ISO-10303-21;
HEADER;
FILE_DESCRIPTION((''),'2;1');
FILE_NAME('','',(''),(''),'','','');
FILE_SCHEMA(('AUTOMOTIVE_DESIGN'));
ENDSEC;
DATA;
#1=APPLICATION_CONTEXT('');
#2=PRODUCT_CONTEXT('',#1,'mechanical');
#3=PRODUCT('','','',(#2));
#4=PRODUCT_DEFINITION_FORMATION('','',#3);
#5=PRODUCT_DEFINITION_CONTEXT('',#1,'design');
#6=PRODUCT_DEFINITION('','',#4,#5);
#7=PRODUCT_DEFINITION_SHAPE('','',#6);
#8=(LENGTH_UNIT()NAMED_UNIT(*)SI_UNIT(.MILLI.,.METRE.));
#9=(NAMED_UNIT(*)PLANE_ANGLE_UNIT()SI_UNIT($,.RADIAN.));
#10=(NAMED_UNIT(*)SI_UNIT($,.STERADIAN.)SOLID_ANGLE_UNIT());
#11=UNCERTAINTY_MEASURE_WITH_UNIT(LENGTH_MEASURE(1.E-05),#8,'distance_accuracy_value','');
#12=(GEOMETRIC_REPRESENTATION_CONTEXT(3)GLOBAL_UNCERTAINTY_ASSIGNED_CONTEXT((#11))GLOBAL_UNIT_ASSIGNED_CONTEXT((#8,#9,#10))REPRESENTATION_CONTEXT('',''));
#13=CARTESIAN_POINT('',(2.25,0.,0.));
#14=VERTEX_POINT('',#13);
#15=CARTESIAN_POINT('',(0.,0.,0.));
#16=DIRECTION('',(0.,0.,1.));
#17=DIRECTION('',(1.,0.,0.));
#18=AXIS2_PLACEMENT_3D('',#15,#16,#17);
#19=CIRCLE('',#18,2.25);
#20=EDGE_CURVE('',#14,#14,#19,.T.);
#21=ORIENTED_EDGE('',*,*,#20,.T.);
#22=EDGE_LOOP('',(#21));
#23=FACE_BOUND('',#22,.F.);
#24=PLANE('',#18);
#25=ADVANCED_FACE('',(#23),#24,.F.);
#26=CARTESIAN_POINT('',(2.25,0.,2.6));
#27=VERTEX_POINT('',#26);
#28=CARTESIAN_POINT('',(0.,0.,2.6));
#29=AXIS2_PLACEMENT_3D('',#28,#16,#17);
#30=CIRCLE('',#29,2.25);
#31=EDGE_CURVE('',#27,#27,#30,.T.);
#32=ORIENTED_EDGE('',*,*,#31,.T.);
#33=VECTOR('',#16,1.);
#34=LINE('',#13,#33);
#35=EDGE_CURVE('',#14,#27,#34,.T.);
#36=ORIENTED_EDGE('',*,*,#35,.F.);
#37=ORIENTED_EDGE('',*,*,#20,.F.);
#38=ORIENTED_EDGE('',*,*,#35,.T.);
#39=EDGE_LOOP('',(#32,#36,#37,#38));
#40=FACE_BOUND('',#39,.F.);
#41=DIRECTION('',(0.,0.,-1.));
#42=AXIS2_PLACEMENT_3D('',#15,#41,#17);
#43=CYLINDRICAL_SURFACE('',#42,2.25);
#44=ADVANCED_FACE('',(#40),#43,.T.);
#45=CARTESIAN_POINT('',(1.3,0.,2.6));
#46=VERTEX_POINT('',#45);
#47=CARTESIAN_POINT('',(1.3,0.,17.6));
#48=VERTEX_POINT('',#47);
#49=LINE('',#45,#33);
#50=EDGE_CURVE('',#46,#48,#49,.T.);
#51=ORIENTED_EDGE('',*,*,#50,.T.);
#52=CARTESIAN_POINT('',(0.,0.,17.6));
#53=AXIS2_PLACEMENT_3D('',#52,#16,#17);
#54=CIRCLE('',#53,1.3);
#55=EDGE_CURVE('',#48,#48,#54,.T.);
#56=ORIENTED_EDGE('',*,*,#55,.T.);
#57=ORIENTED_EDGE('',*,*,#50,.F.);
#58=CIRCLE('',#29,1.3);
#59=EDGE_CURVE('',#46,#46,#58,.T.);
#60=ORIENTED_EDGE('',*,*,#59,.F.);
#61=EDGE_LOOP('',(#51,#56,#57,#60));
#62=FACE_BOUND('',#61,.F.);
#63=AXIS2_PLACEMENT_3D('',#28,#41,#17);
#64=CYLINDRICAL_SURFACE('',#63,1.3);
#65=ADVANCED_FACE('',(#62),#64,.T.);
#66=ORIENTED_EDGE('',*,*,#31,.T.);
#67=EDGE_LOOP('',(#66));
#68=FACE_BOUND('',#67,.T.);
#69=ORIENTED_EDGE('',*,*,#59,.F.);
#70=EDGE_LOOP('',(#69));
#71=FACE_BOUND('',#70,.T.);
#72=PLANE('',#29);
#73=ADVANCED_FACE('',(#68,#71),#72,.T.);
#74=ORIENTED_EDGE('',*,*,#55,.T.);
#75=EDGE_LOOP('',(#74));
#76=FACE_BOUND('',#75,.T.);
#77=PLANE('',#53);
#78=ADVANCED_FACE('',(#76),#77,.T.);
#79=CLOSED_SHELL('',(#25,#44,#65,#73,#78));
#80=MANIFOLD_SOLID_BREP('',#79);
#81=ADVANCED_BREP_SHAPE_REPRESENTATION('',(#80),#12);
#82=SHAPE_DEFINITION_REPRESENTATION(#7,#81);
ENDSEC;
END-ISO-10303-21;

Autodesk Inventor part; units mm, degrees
ref_plane "YZ Plane" through (0, 0, 0) normal (1, 0, 0) x (0, 1, 0)
ref_plane "XZ Plane" through (0, 0, 0) normal (0, 1, 0) x (-1, 0, 0)
ref_plane "XY Plane" through (0, 0, 0) normal (0, 0, 1) x (1, 0, 0)
sketch "スケッチ1" plane through (0, 0, 0) normal (0, 0, 1) x (1, 0, 0)
  circle A0 centre (0, 0) radius 2.25
  dimension "d0" = 4.5
extrude "押し出し1" add sketch "スケッチ1" along normal blind 2.6
sketch "スケッチ2" plane through (0, 0, 2.6) normal (0, 0, 1) x (1, 0, 0)
  circle A0 centre (0, 0) radius 1.3
  dimension "d3" = 2.6
extrude "押し出し2" add sketch "スケッチ2" along normal blind 15
properties part number "M2.6 ボルト 15mm" material "鋼"
